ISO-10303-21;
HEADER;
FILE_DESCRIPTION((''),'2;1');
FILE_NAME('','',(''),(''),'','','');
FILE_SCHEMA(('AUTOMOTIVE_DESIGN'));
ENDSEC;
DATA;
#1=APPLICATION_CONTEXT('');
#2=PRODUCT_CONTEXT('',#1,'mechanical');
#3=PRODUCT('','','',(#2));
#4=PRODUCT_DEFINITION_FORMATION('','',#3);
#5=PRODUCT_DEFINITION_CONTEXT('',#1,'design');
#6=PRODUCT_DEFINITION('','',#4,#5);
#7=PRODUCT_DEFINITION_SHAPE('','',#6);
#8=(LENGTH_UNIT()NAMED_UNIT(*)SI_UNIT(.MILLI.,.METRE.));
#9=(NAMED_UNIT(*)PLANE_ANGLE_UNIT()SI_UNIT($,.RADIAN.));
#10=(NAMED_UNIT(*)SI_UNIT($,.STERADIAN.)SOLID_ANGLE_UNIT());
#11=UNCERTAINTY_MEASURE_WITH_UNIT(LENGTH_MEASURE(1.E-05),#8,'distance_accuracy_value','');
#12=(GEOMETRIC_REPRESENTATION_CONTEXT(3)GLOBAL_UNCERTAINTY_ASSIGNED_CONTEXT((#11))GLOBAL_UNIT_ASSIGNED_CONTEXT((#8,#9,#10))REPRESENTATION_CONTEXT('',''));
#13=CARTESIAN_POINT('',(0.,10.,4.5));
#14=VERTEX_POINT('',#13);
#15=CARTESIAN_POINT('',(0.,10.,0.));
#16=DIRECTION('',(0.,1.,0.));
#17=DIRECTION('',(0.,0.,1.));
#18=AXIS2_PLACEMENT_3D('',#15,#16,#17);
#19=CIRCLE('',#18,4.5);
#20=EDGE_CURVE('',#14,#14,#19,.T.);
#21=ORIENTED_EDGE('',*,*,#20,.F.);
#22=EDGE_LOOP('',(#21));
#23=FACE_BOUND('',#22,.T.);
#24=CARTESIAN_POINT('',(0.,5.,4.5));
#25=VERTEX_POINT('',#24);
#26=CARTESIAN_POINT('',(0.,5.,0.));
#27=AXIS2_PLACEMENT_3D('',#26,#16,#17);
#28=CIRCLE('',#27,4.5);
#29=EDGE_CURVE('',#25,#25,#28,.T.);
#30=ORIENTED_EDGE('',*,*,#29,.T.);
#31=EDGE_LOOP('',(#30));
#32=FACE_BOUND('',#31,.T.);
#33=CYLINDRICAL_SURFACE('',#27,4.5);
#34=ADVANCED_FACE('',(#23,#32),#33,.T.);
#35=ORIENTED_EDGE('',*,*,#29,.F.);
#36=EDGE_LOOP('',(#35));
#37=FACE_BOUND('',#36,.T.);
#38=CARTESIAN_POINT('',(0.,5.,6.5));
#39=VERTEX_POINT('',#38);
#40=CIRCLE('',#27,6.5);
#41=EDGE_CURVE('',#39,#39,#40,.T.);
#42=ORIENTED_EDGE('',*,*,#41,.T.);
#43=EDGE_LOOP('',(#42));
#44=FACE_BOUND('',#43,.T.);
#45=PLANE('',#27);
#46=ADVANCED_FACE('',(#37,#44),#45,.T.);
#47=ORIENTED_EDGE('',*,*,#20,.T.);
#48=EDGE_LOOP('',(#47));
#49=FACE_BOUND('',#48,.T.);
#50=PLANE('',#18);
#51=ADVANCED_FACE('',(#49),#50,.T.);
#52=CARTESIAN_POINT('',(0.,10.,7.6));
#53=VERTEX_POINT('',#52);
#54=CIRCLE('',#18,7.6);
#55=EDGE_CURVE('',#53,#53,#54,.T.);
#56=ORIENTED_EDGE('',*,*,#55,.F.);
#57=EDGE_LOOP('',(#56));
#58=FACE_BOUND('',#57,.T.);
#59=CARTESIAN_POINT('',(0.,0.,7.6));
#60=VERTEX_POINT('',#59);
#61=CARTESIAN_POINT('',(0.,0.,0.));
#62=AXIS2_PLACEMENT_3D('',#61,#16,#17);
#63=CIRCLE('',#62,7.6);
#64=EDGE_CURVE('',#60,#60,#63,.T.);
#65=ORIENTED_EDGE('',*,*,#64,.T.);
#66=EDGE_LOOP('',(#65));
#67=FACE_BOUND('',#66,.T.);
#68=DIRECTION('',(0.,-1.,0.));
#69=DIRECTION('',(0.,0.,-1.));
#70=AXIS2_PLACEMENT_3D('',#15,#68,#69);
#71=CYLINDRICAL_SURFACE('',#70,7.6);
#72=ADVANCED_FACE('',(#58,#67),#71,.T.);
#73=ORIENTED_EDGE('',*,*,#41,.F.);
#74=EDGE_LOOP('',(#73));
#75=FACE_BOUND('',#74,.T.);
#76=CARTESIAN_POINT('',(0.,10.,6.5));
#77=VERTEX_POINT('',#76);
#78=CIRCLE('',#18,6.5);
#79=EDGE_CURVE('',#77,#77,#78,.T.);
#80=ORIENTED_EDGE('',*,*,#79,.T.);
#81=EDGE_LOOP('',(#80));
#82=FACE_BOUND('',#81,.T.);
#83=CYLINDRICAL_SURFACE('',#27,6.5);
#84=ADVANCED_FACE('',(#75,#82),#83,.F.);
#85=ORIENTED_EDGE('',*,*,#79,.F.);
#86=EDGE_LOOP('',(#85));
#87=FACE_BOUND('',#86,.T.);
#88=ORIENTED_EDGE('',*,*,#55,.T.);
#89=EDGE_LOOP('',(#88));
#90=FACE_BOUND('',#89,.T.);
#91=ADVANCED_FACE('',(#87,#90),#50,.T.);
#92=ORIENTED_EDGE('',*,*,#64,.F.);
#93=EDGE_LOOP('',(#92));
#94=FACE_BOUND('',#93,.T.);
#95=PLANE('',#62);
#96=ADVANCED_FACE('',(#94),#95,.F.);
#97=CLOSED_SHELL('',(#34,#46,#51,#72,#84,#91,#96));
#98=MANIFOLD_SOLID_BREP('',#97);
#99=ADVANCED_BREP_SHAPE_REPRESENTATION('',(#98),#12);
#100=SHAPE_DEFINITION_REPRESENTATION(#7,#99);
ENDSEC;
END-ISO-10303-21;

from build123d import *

# Parameters (mm, degrees)
SKETCH_1_R          = 7.6
EXTRUDE_1_DEPTH     = 10
SKETCH_5_R          = 6.5
SKETCH_5_R_2        = 4.5
CUT_EXTRUDE_1_DEPTH = 5


with BuildPart() as part:
    # 草图1 → 凸台-拉伸1 (new body)
    with BuildSketch(Plane(origin=(0, 0, 0), x_dir=(1, 0, 0), z_dir=(0, 1, 0))):
        with Locations(Location((0, 0, 0), (0, 0, 270))):
            Circle(SKETCH_1_R)
    extrude(amount=EXTRUDE_1_DEPTH)

    # 草图5 → 切除-拉伸1 (cut)
    with BuildSketch(Plane(origin=(0, 10, 0), x_dir=(1, 0, 0), z_dir=(0, 1, 0))):
        with Locations(Location((0, 0, 0), (0, 0, 270))):
            Circle(SKETCH_5_R)
        with Locations(Location((0, 0, 0), (0, 0, 270))):
            Circle(SKETCH_5_R_2, mode=Mode.SUBTRACT)
    extrude(amount=-CUT_EXTRUDE_1_DEPTH, mode=Mode.SUBTRACT)


solid = part.part
